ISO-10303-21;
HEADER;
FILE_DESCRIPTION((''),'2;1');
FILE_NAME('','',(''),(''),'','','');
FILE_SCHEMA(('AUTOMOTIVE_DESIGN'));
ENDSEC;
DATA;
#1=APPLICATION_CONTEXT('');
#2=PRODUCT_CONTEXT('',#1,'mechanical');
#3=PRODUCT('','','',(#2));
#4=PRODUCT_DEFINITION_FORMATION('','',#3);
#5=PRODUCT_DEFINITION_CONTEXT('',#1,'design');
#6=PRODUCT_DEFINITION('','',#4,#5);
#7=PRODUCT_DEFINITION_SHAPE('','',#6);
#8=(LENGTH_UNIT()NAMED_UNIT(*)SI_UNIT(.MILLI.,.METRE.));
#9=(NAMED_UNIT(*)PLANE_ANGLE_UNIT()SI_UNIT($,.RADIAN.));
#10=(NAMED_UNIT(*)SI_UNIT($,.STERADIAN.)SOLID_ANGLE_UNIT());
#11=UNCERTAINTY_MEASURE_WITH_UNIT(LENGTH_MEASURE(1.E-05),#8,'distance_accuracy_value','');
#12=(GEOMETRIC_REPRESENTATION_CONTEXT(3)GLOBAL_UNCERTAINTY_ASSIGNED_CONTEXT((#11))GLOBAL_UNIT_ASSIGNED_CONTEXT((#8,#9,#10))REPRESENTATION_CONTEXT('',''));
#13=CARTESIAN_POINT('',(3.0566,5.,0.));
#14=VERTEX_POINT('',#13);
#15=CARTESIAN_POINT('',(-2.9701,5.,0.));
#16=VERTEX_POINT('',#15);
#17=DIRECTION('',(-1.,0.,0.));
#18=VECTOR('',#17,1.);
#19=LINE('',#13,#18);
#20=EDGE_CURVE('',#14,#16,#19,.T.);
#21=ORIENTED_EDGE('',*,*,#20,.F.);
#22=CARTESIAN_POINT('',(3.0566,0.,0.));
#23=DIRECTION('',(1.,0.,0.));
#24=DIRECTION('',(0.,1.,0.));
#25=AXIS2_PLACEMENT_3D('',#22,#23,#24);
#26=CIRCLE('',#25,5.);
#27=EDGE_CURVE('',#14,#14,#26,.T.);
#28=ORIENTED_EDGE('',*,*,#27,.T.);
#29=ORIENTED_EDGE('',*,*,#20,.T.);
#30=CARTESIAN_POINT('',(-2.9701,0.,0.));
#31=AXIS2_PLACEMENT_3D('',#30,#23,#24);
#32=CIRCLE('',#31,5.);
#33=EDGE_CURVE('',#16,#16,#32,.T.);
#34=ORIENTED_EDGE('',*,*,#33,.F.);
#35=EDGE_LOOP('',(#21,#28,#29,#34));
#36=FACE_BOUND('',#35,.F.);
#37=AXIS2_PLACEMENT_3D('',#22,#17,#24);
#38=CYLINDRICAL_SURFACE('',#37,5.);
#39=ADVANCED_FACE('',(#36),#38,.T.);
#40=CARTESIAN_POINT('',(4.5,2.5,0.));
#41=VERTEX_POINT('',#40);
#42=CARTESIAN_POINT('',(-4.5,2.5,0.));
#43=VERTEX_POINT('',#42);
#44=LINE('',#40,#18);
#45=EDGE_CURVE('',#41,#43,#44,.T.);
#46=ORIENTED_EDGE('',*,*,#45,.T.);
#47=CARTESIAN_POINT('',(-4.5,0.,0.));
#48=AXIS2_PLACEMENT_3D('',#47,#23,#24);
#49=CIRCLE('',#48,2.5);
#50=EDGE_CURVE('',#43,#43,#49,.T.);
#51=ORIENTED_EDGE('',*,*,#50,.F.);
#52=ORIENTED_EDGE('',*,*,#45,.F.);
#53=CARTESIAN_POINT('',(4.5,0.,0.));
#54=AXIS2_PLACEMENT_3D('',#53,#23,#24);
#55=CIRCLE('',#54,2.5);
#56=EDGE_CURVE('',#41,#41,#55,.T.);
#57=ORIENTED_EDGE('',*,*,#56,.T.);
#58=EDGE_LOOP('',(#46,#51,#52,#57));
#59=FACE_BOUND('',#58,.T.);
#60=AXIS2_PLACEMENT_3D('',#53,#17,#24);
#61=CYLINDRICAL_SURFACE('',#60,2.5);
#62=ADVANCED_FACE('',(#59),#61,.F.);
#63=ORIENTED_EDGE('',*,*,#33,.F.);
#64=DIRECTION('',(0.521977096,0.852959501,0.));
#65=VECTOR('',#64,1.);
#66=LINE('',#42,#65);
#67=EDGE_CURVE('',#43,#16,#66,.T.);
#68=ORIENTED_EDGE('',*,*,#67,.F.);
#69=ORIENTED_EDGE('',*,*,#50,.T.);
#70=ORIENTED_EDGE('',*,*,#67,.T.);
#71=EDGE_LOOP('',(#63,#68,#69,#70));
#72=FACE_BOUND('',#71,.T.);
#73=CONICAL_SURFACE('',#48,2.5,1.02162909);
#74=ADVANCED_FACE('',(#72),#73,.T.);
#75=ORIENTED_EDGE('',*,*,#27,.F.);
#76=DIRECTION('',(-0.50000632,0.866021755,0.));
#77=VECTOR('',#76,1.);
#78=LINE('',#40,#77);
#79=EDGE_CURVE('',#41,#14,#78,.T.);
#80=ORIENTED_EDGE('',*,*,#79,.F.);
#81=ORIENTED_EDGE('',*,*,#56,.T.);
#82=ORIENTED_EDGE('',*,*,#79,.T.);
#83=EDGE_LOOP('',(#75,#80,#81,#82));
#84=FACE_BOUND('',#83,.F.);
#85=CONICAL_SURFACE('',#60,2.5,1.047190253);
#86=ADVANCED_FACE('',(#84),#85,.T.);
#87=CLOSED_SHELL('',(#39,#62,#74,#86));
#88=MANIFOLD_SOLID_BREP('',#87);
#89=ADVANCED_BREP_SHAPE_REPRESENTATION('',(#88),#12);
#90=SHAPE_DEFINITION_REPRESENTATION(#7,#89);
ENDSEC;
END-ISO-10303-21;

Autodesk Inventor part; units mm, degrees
ref_plane "YZ Plane" through (0, 0, 0) normal (1, 0, 0) x (0, 1, 0)
ref_plane "XZ Plane" through (0, 0, 0) normal (0, 1, 0) x (-1, 0, 0)
ref_plane "XY Plane" through (0, 0, 0) normal (0, 0, 1) x (1, 0, 0)
sketch "Sketch1" plane through (0, 0, 0) normal (0, 0, 1) x (1, 0, 0)
  line L0 (-4.5, -5) -> (4.5, -5)
  line L1 (4.5, -5) -> (4.5, 2.5)
  line L2 (3.0566, 5) -> (-2.9701, 5)
  line L3 (-4.5, 2.3502) -> (-4.5, -5)
  line L4 (-4.5, -5) -> (4.5, 5) construction
  line L5 (-4.5, 0) -> (4.5, 0)
  line L6 (-4.5, 0) -> (-4.5, 2.5)
  line L7 (-4.5, 2.5) -> (-2.9701, 5)
  line L8 (4.5, 0) -> (4.5, 2.5)
  line L9 (4.5, 2.5) -> (3.0566, 5)
  line L10 (-4.5, -2.5) -> (4.5, -2.5)
  line L11 (4.5, -2.5) -> (4.5, 2.5)
  line L12 (4.5, 2.5) -> (-4.5, 2.5)
  line L13 (-4.5, 2.5) -> (-4.5, -2.5)
  line L14 (-4.5, -2.5) -> (4.5, 2.5) construction
  line L15 (4.5, -2.5) -> (-4.5, 2.5) construction
  point P0 (0, 0)
  dimension "d3" = 2.5
  dimension "d4" = 2.5
  dimension "d5" = 30
revolve "Revolution1" add sketch "Sketch1" angle 360 about axis through (-4.5, 0, 0) along (1, 0, 0) contours L12 L7 L2 L9
properties part number "HUDSON-1-37"
